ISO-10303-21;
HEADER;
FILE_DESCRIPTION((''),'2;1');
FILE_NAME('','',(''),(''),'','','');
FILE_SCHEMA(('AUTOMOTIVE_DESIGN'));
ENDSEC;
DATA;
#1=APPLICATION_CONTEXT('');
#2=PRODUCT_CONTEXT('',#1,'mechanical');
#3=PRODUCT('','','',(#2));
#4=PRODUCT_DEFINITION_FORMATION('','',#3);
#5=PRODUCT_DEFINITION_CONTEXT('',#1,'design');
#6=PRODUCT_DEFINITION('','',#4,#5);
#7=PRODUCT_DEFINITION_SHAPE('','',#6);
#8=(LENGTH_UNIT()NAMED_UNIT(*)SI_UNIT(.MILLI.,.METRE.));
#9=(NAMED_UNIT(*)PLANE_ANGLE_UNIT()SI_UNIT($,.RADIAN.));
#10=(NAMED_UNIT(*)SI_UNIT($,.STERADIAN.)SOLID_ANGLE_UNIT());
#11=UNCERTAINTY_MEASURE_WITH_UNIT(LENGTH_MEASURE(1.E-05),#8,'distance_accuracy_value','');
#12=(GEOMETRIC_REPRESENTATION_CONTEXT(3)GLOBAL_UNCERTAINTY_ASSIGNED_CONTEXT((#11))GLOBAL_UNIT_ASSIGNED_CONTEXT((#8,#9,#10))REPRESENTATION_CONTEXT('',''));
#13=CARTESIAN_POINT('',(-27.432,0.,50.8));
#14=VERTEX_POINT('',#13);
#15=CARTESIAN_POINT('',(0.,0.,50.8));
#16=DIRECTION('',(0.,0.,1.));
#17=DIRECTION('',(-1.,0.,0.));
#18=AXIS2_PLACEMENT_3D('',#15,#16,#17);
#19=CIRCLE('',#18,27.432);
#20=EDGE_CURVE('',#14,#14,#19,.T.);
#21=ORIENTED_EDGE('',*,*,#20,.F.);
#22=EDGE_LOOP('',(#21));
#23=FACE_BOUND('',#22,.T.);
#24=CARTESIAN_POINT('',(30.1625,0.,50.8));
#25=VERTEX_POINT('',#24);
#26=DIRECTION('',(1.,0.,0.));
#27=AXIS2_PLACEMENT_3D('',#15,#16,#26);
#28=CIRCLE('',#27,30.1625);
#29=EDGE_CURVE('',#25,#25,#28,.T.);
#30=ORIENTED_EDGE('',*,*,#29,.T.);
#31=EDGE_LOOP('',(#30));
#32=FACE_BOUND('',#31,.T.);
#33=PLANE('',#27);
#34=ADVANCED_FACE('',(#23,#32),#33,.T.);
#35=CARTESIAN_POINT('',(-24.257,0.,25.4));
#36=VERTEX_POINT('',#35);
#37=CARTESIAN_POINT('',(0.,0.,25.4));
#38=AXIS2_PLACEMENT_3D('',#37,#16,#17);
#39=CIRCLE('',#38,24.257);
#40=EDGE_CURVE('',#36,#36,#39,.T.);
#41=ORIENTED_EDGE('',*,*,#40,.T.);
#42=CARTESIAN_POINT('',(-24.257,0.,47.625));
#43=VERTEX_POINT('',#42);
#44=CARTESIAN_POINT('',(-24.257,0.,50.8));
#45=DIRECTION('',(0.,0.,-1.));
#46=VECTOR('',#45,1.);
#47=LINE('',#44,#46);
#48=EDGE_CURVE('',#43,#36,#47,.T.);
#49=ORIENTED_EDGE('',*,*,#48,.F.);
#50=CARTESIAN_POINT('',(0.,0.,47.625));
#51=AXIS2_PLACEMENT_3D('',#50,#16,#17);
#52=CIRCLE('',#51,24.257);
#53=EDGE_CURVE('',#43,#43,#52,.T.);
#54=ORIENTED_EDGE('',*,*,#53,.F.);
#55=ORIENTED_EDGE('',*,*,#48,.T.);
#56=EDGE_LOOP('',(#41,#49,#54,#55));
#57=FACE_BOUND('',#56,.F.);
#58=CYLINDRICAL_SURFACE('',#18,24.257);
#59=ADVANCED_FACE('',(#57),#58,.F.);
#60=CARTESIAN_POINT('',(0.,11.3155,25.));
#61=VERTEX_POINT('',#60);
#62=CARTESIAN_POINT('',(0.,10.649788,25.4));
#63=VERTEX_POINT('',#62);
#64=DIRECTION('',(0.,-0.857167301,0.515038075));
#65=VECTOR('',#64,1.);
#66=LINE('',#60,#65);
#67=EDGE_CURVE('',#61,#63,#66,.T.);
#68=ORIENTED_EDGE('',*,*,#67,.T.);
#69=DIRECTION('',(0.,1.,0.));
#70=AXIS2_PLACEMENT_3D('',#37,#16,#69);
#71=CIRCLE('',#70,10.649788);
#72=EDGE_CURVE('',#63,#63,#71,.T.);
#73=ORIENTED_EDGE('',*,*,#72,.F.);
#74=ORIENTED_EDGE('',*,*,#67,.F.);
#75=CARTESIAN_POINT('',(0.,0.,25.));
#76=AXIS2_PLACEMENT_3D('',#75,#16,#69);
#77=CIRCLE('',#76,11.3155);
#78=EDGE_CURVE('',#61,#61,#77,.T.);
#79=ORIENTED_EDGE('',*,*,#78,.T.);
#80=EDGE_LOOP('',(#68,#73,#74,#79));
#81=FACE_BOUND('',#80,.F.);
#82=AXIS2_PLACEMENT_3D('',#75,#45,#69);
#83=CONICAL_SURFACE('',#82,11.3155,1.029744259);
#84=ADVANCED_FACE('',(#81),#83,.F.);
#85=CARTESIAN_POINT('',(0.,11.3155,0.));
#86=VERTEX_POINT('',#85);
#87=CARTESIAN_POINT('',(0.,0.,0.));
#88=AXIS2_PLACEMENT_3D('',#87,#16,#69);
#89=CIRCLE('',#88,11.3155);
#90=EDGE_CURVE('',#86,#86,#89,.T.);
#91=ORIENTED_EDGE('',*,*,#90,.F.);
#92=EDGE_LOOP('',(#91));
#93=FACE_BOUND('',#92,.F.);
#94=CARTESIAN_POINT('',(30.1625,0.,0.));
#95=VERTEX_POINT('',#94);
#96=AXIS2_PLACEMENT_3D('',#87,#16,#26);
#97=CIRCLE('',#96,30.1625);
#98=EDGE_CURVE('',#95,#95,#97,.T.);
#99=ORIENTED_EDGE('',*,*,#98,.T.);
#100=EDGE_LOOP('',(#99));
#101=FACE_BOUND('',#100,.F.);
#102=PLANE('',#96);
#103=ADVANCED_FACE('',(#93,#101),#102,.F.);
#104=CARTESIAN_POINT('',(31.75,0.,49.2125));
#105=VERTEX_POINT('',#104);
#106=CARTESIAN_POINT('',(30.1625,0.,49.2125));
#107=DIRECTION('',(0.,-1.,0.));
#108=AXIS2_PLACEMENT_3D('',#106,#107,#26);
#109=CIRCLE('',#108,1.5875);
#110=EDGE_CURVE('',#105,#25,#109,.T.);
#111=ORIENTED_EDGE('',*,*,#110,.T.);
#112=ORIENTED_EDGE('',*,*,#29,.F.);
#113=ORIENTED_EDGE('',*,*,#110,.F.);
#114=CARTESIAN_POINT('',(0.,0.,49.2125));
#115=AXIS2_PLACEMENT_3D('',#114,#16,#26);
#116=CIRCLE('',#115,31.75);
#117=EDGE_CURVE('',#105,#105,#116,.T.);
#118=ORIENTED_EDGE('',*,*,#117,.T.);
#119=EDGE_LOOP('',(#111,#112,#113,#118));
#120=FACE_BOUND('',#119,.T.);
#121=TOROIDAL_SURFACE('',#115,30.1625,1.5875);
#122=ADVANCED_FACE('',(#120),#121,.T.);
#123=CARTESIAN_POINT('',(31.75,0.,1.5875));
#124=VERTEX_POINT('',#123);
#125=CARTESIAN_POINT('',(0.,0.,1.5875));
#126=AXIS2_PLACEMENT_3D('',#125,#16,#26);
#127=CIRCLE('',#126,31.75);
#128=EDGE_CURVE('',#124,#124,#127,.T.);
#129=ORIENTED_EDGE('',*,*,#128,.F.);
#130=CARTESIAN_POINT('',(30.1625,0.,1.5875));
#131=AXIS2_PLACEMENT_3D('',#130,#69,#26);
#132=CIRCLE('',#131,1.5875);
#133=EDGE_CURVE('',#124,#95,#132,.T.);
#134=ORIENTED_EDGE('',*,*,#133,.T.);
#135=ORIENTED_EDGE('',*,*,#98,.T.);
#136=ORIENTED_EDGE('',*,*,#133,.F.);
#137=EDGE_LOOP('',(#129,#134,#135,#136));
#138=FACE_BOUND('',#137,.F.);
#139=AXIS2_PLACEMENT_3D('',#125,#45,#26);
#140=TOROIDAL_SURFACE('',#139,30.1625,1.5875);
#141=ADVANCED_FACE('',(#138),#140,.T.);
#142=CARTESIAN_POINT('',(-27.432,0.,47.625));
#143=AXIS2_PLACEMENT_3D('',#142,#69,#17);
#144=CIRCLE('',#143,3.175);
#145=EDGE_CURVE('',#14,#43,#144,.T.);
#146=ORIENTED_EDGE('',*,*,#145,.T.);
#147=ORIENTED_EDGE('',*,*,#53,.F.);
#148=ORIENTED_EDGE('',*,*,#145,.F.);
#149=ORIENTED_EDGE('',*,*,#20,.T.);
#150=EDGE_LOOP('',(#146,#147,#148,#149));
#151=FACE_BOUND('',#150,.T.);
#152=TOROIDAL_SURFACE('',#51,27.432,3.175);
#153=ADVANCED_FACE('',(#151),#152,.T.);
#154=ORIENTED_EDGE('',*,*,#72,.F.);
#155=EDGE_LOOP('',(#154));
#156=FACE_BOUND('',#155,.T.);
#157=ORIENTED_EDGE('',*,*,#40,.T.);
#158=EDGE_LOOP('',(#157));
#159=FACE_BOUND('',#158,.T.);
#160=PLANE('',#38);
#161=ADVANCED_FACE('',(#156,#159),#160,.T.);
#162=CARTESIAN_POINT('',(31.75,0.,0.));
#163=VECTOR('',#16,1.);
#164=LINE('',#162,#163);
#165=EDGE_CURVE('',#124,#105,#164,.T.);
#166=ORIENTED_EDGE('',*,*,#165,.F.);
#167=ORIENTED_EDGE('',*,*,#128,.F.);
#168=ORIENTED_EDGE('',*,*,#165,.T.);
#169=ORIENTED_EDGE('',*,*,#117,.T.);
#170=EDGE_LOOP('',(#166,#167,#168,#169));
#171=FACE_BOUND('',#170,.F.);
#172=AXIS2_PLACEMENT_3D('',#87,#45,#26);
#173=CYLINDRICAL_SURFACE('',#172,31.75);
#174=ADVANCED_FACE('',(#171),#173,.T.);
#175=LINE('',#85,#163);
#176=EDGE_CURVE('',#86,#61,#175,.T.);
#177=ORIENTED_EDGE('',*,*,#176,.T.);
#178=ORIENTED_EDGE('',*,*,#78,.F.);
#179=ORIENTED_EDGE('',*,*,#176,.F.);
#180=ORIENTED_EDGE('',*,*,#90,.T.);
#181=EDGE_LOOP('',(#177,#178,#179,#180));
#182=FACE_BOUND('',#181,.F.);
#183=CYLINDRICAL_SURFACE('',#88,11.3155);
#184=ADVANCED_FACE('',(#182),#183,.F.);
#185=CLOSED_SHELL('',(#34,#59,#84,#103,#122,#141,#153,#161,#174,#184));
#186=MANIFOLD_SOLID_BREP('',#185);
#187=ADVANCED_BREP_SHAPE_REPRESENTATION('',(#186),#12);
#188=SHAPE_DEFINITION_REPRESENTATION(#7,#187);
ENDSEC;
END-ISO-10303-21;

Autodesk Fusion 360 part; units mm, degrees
sketch "Sketch1" plane through (0, 0, 0) normal (0, 0, 1) x (1, 0, 0)
  circle A0 centre (0, 0) radius 31.75
  dimension "d1" = 63.5
extrude "Extrude1" add sketch "Sketch1" along normal blind 50.8
sketch "Sketch2" plane through (0, 0, 50.8) normal (0, 0, 1) x (-1, 0, 0)
  circle A0 centre (0, 0) radius 31.75
  circle A1 centre (0, 0) radius 24.257
  dimension "d4" = 48.514
extrude "Extrude2" cut sketch "Sketch2" against normal blind 25.4 contours A1
fillet "Fillet1" radius 3.175 1 edges at (22.6155, -8.7717, 50.8)
hole "Hole1" at (0, 0, 0) direction (0, 0, 1) diameter 22.631 depth 25 tip angle 118
fillet "Fillet2" radius 1.5875 1 edges at (-29.6014, -11.4813, 0)
fillet "Fillet3" radius 1.5875 1 edges at (-29.6014, -11.4813, 50.8)
